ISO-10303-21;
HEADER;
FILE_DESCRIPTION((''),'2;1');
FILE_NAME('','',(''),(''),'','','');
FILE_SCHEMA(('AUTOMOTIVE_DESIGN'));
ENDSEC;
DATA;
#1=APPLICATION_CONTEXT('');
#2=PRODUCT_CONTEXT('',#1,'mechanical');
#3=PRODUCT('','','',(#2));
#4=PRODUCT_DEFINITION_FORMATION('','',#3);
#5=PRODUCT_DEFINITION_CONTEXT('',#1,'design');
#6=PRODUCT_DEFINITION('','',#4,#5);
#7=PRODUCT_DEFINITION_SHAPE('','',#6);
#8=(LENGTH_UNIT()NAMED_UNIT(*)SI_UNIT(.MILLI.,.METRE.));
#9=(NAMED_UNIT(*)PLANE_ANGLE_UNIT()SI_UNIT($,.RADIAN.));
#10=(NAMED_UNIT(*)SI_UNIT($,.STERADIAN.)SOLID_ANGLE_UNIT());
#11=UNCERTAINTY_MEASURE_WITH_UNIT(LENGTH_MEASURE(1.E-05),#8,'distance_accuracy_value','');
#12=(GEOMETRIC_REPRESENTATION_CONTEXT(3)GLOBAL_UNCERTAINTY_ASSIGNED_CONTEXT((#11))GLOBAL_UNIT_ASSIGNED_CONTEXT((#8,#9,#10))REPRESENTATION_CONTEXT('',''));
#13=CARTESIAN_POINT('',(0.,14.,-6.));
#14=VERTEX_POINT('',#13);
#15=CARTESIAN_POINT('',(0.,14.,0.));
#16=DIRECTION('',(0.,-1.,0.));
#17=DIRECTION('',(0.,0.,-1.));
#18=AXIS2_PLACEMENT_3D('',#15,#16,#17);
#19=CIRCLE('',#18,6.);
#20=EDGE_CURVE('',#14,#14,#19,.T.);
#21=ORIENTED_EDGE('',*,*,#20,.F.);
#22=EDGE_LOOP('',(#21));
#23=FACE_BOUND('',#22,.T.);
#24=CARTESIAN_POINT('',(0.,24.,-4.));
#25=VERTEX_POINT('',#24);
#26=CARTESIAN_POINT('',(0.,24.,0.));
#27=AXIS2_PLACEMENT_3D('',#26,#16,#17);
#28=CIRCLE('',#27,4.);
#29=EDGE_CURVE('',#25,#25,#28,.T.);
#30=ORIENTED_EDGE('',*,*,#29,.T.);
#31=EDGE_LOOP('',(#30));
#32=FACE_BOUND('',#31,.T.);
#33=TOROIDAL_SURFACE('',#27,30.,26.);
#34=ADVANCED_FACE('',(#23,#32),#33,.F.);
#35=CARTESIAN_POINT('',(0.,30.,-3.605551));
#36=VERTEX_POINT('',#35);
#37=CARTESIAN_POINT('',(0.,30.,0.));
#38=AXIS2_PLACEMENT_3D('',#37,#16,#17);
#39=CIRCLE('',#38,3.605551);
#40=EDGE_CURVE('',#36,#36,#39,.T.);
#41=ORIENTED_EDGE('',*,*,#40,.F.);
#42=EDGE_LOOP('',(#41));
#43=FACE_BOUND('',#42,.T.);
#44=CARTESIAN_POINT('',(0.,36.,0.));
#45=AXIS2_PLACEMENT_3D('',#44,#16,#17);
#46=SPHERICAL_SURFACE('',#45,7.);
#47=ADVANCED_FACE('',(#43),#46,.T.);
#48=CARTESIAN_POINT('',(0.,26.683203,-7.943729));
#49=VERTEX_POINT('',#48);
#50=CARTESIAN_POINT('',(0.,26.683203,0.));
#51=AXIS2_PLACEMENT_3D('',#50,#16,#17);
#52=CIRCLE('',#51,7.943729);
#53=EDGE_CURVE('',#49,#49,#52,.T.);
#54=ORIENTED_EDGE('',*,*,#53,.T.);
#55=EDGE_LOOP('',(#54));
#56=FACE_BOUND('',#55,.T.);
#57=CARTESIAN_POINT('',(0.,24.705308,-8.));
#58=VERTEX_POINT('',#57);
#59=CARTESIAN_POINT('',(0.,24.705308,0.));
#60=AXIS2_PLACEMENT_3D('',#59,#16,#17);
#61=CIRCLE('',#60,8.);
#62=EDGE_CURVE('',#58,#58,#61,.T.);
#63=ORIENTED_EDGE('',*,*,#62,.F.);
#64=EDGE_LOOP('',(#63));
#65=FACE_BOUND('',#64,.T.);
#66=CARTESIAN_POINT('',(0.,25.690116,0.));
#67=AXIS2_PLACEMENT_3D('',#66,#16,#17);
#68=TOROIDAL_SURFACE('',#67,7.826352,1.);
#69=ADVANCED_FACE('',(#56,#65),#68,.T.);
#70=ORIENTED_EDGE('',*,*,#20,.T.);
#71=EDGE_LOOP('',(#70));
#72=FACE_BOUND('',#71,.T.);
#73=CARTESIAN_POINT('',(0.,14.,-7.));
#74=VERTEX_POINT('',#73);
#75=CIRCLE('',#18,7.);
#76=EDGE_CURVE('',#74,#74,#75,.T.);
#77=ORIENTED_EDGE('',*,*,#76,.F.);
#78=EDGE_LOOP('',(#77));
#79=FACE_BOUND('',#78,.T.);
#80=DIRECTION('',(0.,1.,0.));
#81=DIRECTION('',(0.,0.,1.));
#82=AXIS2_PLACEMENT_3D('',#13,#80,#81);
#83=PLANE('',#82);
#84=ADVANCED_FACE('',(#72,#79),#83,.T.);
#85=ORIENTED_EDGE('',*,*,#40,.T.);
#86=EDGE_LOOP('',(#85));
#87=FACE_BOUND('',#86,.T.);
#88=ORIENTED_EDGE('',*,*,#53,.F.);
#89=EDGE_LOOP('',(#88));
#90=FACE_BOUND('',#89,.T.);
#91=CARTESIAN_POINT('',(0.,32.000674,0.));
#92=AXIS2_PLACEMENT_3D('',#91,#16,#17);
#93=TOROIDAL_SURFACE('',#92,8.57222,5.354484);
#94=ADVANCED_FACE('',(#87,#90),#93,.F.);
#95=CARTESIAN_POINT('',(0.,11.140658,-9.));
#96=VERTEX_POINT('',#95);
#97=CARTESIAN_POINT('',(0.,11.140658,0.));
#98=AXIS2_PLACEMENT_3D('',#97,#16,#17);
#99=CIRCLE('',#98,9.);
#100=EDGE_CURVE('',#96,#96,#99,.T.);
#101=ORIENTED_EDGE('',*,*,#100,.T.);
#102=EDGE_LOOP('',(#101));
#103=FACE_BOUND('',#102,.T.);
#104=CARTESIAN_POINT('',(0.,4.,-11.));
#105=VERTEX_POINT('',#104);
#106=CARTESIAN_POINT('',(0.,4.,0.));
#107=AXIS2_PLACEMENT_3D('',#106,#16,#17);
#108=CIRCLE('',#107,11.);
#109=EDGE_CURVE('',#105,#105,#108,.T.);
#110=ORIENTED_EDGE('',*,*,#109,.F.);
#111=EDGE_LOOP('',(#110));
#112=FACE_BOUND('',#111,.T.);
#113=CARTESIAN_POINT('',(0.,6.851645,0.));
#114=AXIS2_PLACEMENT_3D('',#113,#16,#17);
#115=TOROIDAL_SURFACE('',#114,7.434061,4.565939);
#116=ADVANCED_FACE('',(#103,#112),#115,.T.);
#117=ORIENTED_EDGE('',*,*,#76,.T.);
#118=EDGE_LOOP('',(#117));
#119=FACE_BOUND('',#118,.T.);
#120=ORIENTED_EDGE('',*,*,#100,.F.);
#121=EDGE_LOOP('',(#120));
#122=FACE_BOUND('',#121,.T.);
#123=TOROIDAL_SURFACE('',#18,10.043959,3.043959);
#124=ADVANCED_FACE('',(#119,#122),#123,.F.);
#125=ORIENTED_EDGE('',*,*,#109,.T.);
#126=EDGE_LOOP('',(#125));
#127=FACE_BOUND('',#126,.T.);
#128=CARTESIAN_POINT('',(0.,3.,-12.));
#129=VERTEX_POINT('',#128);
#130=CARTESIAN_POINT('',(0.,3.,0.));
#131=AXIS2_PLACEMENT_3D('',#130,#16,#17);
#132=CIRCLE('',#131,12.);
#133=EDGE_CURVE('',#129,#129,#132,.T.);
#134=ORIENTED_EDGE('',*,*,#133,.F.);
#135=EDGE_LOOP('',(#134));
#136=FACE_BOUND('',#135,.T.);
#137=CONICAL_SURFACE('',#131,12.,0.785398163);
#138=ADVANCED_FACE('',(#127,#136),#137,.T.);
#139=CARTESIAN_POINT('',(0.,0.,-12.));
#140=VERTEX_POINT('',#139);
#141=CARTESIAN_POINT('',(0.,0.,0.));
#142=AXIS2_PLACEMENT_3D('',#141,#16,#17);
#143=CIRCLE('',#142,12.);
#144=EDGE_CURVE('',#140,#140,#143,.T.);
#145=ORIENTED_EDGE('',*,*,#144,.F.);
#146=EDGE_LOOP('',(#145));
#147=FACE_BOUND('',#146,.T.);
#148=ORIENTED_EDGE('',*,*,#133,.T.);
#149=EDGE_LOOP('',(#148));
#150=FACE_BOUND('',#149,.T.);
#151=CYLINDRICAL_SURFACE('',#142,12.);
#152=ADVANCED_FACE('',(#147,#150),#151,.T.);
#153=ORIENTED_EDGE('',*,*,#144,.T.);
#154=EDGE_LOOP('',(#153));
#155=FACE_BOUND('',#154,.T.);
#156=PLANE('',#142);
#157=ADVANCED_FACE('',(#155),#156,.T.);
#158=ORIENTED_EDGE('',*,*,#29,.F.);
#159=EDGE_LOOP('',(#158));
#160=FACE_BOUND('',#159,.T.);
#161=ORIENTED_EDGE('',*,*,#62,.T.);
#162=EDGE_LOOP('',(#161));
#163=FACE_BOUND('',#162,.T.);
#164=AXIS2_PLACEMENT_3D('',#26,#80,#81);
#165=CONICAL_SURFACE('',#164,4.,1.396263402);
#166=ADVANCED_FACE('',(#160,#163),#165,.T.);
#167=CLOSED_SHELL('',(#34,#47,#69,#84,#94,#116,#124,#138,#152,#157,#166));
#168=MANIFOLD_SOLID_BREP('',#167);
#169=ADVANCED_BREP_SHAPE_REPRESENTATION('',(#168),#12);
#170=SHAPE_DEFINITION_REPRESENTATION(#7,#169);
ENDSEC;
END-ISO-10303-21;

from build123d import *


with BuildPart() as part:
    # Sketch1 → Revolve1 (revolve)
    with BuildSketch(Plane(origin=(0, 0, 0), x_dir=(0, 0, -1), z_dir=(1, 0, 0))):
        with BuildLine():
            Line((0, 0), (0, 43))
            ThreePointArc((0, 43), (6.745368782, 37.870828693), (3.605551275, 30))
            ThreePointArc((3.605551275, 30), (5.320030077, 27.746998352), (7.94372856, 26.683203135))
            ThreePointArc((7.94372856, 26.683203135), (8.825947362, 25.718554332), (8, 24.705307923))
            Line((8, 24.705307923), (4, 24))
            ThreePointArc((4, 24), (4.504902432, 18.900980486), (6, 14))
            Line((6, 14), (7, 14))
            ThreePointArc((7, 14), (7.549619925, 12.255305385), (9, 11.140657908))
            ThreePointArc((9, 11.140657908), (11.830797515, 8.08311014), (11, 4))
            Line((11, 4), (12, 3))
            Line((12, 3), (12, 0))
            Line((12, 0), (0, 0))
        make_face()
    revolve(axis=Axis((0, 0, 0), (0, 1, 0)))


solid = part.part
